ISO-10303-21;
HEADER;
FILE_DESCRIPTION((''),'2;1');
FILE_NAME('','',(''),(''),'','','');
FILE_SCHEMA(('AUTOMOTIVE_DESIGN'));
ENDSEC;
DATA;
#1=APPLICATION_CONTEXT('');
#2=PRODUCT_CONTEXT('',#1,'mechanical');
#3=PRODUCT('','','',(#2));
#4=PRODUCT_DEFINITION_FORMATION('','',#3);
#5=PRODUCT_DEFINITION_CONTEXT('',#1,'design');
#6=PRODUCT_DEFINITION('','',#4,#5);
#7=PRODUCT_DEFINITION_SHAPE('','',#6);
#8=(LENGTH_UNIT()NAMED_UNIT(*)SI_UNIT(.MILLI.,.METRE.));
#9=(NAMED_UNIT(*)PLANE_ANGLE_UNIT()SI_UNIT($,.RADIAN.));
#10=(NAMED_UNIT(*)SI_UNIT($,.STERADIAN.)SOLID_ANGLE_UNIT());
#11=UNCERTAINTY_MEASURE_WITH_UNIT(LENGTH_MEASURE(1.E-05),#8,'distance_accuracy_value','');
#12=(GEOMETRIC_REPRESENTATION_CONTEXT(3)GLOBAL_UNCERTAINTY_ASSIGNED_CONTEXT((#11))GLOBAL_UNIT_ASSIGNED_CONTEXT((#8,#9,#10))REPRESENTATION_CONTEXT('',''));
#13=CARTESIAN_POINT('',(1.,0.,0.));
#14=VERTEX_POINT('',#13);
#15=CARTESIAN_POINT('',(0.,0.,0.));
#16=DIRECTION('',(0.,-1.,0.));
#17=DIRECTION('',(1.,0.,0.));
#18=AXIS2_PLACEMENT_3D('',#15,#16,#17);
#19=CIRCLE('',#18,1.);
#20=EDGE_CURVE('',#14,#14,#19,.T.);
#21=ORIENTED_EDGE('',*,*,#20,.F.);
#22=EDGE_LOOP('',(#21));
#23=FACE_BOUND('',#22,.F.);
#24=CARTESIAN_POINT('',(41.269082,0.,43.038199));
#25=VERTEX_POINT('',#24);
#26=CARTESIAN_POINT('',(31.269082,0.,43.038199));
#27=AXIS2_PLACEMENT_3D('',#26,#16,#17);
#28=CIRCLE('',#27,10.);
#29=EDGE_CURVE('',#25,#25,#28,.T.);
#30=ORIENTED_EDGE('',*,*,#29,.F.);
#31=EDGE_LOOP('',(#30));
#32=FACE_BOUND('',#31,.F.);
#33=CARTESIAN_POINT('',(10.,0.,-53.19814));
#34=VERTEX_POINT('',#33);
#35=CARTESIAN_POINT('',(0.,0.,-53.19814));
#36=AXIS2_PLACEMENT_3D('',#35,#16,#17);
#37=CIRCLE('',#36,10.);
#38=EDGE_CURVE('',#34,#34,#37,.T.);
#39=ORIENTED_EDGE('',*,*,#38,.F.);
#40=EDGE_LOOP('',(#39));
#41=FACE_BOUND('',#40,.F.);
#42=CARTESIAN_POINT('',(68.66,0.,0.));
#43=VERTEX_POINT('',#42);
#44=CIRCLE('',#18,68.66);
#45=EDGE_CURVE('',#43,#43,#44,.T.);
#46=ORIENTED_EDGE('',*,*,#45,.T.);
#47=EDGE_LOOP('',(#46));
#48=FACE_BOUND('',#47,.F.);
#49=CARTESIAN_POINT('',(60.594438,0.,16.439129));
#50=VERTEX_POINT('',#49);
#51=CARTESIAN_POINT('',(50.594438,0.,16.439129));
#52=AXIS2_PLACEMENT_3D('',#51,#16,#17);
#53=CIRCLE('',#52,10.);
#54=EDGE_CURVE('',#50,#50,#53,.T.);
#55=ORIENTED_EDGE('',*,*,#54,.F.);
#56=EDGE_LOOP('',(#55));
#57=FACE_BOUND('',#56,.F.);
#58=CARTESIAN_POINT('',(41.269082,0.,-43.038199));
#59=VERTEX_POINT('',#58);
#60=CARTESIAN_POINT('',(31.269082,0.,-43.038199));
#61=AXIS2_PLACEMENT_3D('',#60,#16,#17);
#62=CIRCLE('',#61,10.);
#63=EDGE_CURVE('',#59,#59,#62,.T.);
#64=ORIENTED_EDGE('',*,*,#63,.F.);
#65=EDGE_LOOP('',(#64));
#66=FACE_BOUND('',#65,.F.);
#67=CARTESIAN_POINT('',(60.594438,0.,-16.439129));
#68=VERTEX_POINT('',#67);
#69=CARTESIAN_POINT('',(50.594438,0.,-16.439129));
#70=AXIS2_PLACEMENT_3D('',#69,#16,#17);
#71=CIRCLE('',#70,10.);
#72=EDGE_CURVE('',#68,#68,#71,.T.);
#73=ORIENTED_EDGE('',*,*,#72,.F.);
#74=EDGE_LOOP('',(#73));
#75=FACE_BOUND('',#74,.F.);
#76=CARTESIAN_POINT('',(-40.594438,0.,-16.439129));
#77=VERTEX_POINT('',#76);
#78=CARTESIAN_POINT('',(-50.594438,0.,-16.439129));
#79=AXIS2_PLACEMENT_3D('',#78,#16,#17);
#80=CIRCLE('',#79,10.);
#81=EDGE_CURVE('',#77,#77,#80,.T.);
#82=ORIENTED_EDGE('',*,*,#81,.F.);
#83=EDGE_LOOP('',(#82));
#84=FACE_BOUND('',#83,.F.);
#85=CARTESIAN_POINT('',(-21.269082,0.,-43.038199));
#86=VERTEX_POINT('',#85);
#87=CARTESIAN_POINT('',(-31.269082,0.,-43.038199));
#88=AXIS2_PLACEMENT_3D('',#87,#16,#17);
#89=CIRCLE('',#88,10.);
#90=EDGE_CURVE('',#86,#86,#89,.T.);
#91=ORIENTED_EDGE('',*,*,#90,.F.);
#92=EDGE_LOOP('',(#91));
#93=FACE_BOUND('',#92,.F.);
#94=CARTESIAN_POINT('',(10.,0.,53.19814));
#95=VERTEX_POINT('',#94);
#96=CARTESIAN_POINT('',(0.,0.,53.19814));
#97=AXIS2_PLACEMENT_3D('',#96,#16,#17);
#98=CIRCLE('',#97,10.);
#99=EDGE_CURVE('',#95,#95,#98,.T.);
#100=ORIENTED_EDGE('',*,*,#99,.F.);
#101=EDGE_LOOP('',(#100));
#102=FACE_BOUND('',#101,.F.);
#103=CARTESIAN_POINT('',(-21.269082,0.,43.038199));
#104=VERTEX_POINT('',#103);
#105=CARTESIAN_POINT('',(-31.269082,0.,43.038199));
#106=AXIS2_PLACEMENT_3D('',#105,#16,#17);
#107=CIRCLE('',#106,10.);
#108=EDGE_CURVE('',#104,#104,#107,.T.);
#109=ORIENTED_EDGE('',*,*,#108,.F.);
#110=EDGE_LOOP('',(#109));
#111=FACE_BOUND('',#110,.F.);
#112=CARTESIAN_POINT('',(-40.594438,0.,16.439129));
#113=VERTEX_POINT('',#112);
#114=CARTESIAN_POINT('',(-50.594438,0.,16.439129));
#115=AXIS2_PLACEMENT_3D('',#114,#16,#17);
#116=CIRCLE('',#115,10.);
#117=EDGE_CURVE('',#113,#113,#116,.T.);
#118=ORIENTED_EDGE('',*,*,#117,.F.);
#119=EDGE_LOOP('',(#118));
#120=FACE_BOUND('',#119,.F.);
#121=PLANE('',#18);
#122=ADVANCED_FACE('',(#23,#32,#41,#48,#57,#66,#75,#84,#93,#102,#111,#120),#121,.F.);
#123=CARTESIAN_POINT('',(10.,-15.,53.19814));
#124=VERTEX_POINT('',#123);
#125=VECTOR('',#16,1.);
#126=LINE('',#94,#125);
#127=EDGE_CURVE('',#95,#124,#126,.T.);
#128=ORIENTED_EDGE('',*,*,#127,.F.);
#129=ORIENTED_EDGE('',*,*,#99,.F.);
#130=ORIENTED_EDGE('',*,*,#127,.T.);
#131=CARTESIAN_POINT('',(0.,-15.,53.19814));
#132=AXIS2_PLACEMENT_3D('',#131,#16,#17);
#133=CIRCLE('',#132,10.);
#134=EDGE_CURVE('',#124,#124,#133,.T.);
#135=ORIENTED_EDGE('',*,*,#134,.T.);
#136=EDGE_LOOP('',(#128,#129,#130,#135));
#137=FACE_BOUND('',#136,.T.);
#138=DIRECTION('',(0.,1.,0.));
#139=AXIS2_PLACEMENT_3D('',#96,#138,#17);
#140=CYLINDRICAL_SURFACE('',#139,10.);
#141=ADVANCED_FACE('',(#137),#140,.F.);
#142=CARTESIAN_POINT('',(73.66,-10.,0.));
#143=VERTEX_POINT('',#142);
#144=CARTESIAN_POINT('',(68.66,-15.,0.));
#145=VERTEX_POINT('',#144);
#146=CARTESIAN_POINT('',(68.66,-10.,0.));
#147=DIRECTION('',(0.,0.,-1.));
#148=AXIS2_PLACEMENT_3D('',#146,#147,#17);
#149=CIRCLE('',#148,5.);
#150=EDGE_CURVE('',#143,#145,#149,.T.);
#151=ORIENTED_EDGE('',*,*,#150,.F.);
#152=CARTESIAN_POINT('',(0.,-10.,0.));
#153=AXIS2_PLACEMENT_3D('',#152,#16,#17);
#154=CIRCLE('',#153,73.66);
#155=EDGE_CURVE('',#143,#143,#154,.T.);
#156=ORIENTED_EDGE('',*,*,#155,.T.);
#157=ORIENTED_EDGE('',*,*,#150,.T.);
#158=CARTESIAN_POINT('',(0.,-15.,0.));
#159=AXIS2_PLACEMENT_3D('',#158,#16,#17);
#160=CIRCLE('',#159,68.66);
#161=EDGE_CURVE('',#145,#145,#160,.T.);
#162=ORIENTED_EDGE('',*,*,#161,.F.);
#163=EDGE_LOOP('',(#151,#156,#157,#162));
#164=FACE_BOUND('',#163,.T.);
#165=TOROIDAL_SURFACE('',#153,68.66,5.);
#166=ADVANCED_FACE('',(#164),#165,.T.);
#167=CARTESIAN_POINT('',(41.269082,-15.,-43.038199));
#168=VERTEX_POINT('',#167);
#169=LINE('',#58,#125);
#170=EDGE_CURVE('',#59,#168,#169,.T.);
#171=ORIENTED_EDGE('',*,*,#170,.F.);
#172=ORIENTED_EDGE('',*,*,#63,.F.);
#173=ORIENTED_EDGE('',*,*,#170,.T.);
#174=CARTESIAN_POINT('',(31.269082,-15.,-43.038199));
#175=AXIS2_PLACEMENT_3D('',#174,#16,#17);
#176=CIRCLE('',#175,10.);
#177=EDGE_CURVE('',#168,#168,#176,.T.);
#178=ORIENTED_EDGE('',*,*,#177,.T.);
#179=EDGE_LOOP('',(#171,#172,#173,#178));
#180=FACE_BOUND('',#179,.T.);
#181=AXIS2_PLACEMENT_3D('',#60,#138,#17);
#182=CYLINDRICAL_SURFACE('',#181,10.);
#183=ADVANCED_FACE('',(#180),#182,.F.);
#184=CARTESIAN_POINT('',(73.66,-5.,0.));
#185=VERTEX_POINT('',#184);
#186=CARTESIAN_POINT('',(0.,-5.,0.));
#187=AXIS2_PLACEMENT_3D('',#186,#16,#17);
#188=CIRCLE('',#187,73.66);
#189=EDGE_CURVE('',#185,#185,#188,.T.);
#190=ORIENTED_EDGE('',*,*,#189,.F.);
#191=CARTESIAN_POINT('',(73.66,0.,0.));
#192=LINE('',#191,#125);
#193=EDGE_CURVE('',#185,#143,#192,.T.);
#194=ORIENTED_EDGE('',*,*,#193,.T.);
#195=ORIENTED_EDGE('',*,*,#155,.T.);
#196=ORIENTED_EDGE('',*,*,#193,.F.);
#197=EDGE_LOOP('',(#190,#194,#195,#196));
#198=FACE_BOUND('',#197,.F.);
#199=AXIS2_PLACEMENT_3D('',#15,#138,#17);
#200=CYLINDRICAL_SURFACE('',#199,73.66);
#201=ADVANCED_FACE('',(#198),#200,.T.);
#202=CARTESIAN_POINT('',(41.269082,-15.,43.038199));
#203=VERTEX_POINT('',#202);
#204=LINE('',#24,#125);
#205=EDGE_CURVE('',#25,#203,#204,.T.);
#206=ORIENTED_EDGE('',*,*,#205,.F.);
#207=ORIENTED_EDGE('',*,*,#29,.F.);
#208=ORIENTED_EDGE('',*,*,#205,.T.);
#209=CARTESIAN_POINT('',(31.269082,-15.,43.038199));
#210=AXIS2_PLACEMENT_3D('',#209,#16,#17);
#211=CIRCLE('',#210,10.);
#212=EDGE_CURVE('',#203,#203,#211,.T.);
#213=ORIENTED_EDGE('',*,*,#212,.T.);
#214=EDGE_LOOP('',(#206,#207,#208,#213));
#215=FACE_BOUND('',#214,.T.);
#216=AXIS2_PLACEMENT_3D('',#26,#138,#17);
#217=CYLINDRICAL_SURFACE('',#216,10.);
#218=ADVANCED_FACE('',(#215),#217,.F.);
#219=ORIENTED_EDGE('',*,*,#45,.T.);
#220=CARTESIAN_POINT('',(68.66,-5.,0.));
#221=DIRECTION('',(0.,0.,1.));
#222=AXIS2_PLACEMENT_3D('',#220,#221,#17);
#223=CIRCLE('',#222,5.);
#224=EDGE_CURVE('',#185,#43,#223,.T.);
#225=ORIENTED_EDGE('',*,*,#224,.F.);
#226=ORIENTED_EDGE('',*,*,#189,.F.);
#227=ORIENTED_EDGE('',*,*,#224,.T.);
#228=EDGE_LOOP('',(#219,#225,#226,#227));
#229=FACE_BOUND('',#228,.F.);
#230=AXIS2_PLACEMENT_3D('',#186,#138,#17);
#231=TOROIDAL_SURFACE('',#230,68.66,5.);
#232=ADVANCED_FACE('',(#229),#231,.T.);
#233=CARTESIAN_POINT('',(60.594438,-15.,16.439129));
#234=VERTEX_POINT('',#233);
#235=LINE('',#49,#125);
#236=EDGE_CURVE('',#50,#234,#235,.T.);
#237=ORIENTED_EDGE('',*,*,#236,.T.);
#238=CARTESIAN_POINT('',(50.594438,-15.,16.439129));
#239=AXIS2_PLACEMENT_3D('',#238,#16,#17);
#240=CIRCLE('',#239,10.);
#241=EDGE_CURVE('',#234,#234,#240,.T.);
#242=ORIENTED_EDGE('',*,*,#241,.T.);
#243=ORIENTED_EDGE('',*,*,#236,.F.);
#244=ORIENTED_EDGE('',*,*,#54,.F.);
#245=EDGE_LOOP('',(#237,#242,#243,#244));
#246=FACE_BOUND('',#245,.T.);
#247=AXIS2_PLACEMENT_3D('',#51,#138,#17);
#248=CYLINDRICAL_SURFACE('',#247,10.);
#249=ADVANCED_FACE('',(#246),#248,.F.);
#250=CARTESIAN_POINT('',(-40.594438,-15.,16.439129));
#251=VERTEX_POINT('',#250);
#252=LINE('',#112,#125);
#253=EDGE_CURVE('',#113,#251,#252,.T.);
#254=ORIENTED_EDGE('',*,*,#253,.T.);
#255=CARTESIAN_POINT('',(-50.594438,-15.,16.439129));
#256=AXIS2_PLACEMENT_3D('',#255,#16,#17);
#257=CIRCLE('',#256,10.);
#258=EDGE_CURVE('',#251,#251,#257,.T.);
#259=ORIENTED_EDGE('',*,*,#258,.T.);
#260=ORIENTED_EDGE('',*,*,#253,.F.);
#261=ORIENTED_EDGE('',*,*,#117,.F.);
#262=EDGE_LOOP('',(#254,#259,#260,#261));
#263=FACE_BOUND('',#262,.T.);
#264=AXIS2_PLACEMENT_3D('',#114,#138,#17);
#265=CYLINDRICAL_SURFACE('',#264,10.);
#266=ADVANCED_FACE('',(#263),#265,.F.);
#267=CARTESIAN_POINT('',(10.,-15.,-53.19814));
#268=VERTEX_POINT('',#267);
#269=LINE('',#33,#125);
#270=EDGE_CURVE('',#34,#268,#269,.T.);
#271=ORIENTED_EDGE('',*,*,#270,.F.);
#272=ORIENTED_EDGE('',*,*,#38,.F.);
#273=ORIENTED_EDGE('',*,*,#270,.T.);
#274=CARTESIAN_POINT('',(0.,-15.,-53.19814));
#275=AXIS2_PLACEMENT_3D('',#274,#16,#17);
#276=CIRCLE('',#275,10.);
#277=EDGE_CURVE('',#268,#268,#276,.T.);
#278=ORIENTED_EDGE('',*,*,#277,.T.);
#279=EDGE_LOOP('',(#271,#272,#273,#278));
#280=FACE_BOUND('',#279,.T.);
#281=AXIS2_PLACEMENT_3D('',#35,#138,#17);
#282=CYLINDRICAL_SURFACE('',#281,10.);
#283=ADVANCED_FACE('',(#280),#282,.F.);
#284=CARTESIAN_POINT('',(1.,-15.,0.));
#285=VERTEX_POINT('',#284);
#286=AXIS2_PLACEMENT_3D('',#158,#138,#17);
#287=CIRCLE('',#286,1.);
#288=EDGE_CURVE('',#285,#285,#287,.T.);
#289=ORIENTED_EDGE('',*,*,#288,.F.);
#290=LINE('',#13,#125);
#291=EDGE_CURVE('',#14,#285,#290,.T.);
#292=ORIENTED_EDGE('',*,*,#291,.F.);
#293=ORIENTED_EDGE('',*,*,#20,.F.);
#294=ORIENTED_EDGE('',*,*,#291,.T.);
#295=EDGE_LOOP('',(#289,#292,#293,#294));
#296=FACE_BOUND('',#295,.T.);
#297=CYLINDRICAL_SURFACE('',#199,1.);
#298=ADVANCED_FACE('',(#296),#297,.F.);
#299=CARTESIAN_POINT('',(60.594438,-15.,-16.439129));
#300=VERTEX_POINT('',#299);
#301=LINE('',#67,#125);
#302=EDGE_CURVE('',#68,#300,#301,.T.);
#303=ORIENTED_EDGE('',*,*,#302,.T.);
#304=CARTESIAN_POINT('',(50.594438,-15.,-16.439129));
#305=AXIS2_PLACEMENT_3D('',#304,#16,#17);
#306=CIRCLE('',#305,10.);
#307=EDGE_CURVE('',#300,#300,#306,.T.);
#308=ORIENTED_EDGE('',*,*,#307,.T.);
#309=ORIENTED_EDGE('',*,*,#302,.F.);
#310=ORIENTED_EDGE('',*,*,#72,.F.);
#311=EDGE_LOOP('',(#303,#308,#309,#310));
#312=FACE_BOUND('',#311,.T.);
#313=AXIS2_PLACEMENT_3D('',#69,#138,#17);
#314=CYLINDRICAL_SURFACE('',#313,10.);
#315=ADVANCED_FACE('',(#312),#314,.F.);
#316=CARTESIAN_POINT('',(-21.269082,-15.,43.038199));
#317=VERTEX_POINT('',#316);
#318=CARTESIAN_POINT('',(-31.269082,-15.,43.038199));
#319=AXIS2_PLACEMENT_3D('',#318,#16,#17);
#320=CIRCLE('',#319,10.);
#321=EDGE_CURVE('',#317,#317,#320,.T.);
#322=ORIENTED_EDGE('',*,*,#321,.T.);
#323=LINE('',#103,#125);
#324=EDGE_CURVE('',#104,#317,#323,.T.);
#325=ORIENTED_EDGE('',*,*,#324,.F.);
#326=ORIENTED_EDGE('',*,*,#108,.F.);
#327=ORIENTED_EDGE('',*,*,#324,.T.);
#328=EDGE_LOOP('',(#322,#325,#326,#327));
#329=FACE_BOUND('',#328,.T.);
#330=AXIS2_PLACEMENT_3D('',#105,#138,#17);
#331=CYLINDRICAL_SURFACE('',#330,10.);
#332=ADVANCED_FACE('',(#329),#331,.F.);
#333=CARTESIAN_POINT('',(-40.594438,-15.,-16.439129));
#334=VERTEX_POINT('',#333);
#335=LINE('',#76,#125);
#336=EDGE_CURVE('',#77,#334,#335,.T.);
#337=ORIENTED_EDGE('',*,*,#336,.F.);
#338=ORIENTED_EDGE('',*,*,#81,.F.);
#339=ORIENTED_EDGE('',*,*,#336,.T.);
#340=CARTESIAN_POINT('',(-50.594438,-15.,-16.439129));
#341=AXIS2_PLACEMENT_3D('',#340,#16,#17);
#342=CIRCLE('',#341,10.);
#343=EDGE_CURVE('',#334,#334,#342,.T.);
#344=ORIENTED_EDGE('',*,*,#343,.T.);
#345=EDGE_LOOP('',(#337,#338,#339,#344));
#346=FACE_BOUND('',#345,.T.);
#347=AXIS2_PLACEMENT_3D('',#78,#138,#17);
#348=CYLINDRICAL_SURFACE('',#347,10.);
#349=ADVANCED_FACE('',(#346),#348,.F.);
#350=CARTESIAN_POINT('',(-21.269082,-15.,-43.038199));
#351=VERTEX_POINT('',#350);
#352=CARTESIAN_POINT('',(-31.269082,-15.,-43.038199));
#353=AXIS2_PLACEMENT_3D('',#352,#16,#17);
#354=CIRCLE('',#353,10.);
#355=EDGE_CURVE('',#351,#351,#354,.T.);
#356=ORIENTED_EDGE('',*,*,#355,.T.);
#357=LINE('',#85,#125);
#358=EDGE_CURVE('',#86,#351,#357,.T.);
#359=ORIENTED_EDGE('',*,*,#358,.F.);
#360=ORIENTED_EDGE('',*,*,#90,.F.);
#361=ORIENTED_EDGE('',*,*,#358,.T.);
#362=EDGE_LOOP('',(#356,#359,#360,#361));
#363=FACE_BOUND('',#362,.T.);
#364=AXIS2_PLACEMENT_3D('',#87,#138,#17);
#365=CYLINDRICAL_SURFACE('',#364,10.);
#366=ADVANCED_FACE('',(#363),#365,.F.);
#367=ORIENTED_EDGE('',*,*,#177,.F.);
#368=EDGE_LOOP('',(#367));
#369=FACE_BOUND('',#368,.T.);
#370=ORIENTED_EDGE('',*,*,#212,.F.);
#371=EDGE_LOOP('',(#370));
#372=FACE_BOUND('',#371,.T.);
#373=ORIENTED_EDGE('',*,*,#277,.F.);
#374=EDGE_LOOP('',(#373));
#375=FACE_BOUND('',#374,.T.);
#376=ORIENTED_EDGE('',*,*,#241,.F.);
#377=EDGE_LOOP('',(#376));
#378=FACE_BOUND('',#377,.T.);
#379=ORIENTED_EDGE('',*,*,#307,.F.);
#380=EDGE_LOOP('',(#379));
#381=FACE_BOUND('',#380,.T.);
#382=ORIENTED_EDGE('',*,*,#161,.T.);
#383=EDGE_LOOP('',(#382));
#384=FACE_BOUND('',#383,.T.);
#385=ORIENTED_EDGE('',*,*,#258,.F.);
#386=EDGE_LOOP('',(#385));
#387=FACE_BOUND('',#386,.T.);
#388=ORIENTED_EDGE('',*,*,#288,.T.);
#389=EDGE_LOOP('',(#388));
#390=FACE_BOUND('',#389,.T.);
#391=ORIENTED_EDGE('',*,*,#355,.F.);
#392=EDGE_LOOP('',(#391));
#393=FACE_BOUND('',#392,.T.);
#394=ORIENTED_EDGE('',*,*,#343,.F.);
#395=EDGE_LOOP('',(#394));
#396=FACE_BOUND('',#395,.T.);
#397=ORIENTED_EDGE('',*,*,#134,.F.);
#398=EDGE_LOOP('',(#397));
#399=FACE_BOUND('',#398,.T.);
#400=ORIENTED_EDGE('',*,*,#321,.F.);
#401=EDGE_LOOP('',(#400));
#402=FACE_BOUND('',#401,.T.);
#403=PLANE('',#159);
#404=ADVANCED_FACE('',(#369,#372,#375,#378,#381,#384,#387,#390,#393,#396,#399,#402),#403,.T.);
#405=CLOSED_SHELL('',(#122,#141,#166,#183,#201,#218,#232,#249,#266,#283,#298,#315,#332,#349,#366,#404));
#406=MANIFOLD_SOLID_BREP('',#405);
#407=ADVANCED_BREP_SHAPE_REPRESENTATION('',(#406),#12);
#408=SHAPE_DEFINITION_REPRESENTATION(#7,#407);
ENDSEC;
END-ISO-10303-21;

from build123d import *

# Parameters (mm, degrees)
F0_R     = 73.66
F0_R_2   = 10
F1_DEPTH = 15
F2_R     = 1
F3_DEPTH = 25
F4_R     = 5


with BuildPart() as f1:
    # F0 (on Front) → F1 (new body)
    with BuildSketch(Plane.XZ):
        Circle(F0_R)
        with Locations((-31.269082, -43.038199)):
            Circle(F0_R_2, mode=Mode.SUBTRACT)
        with Locations((0, -53.19814)):
            Circle(F0_R_2, mode=Mode.SUBTRACT)
        with Locations((-50.594438, -16.439129)):
            Circle(F0_R_2, mode=Mode.SUBTRACT)
        with Locations((31.269082, -43.038199)):
            Circle(F0_R_2, mode=Mode.SUBTRACT)
        with Locations((50.594438, -16.439129)):
            Circle(F0_R_2, mode=Mode.SUBTRACT)
        with Locations((-50.594438, 16.439129)):
            Circle(F0_R_2, mode=Mode.SUBTRACT)
        with Locations((-31.269082, 43.038199)):
            Circle(F0_R_2, mode=Mode.SUBTRACT)
        with Locations((0, 53.19814)):
            Circle(F0_R_2, mode=Mode.SUBTRACT)
        with Locations((50.594438, 16.439129)):
            Circle(F0_R_2, mode=Mode.SUBTRACT)
        with Locations((31.269082, 43.038199)):
            Circle(F0_R_2, mode=Mode.SUBTRACT)
    extrude(amount=F1_DEPTH)

    # F2 (on Front) → F3 (cut)
    with BuildSketch(Plane.XZ):
        Circle(F2_R)
    extrude(amount=F3_DEPTH, mode=Mode.SUBTRACT)

    # F4
    f4_edges = [f1.edges().sort_by_distance(p)[0] for p in [
        (-73.66, -15, 0),
        (-73.66, 0, 0),
    ]]
    fillet(f4_edges, radius=F4_R)


solid = f1.part
